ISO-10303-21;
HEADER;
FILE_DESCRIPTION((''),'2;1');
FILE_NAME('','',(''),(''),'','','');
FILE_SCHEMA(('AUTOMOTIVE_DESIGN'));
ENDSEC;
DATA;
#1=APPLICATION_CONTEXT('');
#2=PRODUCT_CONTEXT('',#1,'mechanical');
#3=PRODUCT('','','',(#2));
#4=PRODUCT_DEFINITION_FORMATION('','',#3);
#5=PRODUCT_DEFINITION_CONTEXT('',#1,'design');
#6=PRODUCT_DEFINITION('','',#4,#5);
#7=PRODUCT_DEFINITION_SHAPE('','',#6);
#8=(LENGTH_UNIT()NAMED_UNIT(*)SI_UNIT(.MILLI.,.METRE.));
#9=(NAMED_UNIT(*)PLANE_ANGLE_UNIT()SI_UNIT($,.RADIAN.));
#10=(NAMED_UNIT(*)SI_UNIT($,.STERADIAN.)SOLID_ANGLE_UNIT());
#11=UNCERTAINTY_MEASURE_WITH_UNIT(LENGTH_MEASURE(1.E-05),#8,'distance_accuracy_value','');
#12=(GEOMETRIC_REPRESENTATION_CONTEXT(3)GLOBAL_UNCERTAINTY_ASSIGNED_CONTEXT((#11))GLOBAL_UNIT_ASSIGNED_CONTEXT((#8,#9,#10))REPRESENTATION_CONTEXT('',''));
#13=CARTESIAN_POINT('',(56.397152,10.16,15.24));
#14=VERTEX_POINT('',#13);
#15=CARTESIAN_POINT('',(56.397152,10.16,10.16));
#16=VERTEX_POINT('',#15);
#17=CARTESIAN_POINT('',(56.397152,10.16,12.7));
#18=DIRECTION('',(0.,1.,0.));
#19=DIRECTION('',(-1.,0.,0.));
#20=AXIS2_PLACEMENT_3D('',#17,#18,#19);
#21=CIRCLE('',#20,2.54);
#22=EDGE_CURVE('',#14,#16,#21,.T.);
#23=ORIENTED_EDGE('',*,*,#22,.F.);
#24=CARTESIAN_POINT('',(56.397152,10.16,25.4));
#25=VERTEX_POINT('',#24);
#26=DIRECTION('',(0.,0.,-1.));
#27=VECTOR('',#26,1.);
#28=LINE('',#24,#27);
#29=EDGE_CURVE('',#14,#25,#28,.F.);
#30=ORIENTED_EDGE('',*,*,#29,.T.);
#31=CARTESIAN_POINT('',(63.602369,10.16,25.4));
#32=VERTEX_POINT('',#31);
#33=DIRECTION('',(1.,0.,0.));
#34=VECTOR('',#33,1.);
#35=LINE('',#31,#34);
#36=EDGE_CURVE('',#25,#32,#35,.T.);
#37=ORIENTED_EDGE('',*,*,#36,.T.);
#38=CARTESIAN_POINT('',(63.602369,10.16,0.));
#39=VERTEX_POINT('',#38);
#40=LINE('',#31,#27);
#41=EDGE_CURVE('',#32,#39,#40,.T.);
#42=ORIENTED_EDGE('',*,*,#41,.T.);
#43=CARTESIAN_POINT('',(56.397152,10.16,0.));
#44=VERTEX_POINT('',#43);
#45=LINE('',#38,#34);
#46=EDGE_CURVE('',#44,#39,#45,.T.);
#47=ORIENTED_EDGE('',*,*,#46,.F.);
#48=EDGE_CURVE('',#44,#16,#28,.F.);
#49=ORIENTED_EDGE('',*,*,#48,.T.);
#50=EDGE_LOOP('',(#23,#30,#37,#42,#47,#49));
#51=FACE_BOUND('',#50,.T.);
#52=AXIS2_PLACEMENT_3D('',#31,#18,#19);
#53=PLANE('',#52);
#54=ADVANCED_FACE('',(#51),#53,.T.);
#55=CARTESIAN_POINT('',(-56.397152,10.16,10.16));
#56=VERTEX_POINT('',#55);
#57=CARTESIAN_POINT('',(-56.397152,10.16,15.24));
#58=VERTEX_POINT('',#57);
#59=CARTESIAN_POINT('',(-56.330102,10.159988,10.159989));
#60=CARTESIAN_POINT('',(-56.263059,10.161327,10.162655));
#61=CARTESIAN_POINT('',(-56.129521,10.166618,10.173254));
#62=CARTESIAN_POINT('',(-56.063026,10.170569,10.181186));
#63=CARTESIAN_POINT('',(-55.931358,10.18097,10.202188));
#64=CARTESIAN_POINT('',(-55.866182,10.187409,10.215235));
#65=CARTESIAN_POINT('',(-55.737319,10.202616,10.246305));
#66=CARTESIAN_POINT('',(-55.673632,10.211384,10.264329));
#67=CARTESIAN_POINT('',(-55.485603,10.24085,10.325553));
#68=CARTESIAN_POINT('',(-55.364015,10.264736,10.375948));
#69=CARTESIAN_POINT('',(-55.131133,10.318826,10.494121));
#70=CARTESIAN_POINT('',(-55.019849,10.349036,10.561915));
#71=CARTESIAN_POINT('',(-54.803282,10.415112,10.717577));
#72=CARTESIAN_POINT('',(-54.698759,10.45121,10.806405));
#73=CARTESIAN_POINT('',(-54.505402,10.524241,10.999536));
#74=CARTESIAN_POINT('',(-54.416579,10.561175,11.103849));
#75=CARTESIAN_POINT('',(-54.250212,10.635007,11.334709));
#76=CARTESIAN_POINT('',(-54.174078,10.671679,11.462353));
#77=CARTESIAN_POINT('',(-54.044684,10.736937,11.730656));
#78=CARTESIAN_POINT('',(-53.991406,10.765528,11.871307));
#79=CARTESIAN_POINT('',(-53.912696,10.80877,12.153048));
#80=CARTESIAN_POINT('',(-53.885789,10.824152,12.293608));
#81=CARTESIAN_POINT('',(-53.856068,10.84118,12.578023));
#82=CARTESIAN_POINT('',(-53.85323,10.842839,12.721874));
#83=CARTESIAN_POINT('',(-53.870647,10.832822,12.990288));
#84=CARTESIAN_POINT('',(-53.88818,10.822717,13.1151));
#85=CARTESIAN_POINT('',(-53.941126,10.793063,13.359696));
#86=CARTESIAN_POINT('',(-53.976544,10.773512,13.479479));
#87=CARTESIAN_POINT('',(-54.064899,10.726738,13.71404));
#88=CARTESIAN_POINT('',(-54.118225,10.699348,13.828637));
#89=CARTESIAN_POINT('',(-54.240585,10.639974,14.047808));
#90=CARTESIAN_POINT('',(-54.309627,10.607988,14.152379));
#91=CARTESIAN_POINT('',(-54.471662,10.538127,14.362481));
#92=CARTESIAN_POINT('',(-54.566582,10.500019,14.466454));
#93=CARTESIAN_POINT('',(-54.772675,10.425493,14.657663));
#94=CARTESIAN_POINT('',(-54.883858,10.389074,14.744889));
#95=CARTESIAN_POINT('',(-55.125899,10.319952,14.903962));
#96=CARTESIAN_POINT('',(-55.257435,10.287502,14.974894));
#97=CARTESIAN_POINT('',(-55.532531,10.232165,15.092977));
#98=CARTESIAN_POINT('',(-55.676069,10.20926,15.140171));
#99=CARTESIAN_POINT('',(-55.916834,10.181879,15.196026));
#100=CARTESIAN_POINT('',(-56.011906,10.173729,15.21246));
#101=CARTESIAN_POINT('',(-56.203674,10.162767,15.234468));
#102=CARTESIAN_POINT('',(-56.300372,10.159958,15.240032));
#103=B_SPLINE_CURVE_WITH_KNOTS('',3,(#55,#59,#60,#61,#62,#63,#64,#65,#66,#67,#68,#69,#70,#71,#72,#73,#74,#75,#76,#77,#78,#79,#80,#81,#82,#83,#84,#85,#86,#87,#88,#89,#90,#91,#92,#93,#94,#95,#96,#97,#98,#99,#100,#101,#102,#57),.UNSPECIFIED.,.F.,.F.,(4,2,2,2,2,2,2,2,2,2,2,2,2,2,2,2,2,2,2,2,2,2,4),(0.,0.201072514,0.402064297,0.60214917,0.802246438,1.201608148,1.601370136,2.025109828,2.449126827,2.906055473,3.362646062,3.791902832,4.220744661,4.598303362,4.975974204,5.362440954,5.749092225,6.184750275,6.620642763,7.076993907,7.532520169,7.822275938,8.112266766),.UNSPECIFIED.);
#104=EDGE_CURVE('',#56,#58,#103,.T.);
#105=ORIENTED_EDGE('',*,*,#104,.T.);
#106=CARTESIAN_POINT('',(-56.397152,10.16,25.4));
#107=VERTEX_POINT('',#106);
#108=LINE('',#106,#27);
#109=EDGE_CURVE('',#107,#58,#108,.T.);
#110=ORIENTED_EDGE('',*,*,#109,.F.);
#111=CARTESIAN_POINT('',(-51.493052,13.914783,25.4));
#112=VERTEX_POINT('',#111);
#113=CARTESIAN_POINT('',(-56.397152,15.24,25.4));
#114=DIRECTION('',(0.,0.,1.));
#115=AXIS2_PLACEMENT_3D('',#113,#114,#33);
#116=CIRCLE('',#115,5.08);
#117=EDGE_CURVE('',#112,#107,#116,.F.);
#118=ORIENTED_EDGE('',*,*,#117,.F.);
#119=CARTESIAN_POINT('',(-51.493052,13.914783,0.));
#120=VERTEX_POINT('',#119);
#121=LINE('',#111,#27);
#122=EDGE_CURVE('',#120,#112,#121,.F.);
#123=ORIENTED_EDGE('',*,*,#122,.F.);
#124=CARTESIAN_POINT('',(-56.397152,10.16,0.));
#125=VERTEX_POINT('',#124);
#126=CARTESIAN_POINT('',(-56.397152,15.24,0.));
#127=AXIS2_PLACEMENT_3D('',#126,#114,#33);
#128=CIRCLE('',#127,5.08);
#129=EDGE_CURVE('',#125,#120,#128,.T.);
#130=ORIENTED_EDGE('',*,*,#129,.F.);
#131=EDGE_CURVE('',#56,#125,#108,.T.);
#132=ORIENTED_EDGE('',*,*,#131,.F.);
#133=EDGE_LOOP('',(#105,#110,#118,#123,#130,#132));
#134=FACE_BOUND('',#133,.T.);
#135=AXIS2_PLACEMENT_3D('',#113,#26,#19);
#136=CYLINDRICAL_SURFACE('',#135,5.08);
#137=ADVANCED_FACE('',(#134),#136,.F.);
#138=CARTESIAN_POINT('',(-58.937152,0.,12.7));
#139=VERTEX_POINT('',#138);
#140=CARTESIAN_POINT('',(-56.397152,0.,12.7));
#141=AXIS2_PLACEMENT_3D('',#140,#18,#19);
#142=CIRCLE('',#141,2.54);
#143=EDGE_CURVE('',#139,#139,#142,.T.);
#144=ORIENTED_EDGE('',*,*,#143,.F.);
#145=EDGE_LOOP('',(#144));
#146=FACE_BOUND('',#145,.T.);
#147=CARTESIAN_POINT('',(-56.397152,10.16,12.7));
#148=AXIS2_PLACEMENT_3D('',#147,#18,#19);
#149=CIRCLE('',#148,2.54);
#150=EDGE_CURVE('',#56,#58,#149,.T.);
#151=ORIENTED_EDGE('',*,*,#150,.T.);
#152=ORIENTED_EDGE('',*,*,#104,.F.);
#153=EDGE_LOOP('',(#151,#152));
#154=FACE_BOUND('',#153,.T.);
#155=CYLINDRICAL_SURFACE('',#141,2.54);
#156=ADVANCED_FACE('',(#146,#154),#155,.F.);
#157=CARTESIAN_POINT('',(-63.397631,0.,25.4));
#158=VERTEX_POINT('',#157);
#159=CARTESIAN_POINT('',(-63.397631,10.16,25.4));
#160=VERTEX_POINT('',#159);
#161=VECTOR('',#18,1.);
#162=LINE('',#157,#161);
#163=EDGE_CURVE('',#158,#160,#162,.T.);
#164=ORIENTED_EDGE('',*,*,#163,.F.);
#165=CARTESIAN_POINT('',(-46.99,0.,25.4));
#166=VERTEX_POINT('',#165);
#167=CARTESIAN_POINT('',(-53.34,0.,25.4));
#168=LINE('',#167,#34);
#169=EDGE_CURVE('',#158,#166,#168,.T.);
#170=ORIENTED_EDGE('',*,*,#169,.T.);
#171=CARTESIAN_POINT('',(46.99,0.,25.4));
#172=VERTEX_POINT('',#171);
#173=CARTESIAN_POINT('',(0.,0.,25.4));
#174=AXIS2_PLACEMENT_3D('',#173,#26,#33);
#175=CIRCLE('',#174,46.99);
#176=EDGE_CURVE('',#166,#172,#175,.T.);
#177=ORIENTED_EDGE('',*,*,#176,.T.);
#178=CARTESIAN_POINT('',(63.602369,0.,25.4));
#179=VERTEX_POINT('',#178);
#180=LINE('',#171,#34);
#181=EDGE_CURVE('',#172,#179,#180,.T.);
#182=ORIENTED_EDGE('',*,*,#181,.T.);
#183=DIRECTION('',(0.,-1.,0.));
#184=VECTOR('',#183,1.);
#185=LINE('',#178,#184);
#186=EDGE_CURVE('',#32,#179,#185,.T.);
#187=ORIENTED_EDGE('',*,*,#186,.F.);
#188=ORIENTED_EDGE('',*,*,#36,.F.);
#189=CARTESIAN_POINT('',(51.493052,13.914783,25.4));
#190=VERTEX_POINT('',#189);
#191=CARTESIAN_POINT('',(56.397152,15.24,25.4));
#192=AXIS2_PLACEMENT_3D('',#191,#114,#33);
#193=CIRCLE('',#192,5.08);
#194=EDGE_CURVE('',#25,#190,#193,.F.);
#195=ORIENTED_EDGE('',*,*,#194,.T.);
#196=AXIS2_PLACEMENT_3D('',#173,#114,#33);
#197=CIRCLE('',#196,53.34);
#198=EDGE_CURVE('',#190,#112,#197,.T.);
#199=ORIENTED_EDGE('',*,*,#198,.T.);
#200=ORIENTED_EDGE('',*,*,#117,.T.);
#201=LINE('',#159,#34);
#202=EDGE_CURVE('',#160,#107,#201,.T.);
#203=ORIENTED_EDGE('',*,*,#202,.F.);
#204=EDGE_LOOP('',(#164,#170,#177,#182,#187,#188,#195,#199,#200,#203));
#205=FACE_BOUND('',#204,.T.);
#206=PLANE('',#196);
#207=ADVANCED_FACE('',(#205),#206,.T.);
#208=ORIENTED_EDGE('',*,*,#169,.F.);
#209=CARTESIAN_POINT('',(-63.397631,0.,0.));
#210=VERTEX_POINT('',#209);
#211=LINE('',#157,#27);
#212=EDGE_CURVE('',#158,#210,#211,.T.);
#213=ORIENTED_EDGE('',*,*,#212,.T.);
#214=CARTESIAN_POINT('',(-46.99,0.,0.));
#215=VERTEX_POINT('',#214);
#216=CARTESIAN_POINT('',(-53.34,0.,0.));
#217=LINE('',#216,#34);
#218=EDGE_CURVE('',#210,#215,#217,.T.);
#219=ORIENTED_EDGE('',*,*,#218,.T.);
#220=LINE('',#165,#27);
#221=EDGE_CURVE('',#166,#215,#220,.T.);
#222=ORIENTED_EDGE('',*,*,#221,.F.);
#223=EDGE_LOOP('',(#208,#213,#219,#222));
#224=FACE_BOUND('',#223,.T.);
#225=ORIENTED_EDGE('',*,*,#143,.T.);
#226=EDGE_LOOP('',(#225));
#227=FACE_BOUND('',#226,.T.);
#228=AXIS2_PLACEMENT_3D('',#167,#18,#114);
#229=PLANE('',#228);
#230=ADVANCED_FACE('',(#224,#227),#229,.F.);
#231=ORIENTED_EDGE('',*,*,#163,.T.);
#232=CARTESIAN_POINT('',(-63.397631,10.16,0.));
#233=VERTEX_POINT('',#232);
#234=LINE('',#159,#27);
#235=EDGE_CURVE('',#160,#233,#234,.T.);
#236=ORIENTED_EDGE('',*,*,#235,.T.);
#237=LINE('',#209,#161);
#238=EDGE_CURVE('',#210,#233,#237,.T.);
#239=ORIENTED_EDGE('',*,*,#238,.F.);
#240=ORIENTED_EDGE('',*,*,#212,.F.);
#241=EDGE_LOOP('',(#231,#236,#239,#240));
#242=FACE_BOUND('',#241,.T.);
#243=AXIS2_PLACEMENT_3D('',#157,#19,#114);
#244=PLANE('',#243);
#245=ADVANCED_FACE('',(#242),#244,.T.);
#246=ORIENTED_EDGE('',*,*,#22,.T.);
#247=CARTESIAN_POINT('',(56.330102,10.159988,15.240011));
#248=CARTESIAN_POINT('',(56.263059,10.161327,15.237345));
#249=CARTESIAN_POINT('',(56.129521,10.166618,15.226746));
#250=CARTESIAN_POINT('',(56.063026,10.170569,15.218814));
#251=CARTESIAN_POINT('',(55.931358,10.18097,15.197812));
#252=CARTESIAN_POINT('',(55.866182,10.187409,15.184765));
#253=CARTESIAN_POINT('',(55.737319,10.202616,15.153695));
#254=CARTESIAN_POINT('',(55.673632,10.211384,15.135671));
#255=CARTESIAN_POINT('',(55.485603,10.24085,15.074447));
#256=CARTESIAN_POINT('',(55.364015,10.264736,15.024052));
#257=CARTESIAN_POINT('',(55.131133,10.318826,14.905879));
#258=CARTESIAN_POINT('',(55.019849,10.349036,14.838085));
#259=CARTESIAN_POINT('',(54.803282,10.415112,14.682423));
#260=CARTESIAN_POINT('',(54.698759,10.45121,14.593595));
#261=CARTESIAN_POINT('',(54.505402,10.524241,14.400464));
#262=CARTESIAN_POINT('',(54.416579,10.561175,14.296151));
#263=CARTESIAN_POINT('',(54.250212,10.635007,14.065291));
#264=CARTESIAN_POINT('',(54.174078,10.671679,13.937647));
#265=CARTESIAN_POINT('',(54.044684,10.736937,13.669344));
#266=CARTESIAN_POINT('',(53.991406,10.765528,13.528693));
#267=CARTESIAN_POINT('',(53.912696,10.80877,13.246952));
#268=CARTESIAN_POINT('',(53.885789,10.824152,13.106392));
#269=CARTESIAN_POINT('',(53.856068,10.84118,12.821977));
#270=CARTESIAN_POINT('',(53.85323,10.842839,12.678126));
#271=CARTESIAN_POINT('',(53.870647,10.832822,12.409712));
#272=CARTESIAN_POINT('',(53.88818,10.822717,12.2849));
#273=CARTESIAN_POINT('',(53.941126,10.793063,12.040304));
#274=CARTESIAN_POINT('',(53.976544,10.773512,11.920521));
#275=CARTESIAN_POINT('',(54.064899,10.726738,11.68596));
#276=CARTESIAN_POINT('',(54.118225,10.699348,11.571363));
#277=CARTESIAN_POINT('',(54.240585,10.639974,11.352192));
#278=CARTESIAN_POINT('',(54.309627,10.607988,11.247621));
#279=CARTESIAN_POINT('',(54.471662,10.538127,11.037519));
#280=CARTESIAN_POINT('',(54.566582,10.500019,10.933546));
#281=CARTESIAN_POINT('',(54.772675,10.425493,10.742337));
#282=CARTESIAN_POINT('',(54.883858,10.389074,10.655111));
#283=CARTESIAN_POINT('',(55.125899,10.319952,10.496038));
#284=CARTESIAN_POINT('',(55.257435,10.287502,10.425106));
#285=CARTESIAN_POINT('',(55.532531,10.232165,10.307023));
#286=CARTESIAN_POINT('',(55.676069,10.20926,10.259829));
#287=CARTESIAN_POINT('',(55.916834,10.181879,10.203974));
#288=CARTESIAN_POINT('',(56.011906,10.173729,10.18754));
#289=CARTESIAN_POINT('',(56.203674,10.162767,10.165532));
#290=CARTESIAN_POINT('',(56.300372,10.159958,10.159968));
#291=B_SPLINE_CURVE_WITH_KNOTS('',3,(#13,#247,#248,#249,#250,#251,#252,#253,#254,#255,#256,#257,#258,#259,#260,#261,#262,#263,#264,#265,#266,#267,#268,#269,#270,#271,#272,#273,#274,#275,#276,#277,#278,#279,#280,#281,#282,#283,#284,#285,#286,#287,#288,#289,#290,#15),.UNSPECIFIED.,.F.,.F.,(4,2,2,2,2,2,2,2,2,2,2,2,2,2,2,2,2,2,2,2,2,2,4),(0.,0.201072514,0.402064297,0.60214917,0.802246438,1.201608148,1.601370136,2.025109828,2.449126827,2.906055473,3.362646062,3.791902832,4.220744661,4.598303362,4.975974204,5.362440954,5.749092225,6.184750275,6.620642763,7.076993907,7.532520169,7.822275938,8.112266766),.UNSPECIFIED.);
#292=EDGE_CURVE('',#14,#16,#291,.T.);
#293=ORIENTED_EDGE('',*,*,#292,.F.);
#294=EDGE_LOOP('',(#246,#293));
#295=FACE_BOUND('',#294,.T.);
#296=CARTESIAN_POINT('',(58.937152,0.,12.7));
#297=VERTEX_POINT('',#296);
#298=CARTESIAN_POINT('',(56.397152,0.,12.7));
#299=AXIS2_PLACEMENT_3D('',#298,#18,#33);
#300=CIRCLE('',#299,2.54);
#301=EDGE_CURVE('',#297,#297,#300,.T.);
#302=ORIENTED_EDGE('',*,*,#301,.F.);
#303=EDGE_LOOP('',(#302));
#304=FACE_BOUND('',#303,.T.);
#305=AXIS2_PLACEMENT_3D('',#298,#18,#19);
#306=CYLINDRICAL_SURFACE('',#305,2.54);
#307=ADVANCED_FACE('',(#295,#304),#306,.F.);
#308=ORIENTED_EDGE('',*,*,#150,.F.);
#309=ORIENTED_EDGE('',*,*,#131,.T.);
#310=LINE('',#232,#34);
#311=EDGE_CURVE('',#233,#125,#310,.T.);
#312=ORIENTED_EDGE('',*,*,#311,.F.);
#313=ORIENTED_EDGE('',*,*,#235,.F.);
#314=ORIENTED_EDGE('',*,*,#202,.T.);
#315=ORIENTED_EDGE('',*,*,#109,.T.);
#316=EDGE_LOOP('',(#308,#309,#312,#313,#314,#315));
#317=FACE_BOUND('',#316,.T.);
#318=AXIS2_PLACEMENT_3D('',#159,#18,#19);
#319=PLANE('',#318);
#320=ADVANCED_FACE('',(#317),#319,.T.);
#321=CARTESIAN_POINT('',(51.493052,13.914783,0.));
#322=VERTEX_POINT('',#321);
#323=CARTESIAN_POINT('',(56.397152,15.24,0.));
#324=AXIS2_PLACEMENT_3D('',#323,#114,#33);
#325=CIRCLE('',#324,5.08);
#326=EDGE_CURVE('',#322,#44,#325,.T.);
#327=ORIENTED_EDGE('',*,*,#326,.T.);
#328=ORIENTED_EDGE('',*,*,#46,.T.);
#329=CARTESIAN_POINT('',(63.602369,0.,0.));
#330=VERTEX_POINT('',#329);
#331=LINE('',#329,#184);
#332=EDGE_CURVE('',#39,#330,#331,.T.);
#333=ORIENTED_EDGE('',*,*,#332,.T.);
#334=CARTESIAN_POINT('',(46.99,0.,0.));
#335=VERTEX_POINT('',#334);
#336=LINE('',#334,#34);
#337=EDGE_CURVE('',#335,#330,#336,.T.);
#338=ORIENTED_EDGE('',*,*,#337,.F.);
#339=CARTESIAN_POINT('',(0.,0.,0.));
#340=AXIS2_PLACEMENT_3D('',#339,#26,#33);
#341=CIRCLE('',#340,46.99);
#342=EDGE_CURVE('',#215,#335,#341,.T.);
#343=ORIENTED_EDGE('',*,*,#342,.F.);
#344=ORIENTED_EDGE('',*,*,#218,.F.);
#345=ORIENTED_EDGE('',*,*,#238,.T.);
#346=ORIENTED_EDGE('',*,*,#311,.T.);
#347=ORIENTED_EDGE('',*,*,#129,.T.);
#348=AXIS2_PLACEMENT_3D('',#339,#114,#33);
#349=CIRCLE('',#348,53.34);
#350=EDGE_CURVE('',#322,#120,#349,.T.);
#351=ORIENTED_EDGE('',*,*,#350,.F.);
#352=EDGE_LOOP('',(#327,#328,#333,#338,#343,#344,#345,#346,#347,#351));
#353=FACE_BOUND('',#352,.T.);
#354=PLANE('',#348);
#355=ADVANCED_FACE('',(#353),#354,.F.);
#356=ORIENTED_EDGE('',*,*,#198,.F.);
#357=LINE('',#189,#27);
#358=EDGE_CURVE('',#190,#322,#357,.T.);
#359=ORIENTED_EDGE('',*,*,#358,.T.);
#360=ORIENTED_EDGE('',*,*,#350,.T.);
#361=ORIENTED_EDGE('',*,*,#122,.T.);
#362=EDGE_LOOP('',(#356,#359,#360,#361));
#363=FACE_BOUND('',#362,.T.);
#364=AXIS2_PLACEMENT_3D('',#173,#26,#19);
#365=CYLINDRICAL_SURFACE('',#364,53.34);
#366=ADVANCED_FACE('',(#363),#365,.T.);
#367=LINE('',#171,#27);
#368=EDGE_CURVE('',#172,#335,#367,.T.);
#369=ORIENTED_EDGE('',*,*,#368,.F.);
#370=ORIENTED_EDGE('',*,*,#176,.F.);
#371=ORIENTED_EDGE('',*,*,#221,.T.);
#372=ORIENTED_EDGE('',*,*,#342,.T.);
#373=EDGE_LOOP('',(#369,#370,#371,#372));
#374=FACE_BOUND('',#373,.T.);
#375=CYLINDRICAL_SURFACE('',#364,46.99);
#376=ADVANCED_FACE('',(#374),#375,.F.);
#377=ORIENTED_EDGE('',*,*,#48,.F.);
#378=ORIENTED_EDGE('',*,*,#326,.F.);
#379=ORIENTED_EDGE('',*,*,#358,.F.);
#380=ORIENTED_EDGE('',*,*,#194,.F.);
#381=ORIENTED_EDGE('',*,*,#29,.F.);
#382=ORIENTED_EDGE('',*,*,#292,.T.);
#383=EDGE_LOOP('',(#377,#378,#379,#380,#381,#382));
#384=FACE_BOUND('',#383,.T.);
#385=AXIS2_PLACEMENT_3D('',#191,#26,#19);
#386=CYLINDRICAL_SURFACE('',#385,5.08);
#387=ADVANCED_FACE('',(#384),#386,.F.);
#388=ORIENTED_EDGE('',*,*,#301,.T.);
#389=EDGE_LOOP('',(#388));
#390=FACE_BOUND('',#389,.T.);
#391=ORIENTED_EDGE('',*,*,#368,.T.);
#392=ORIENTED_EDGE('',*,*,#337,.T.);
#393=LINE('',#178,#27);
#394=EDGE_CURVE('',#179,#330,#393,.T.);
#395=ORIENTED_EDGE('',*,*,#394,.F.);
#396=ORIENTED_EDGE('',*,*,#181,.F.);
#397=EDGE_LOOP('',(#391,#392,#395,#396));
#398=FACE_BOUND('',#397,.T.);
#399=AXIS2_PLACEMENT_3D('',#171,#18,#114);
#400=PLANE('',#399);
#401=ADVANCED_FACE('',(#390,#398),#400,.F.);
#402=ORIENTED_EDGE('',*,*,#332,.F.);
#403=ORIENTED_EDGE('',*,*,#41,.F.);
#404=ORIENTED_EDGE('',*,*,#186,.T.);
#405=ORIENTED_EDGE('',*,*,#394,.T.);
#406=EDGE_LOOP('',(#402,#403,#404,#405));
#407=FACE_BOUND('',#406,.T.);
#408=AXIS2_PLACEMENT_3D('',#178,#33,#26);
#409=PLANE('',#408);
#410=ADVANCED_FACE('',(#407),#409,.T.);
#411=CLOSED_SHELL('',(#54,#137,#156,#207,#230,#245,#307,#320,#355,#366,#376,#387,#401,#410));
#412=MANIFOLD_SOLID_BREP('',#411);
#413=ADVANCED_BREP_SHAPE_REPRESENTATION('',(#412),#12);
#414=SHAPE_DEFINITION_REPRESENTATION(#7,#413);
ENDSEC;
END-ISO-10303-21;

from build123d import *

# Parameters (mm, degrees)
BOSS_EXTRUDE1_DEPTH     = 25.4
SKETCH3_W               = 16.407631331
SKETCH3_H               = 10.16
BOSS_EXTRUDE2_DEPTH     = 25.4
FILLET1_R               = 5.08
SKETCH4_R               = 2.54
CUT_EXTRUDE1_DEPTH      = 44.18
CUT_EXTRUDE1_DEPTH_BACK = 11.16


with BuildPart() as part:
    # Sketch1 → Boss-Extrude1 (new body)
    with BuildSketch(Plane.XY):
        with BuildLine():
            Line((-53.34, 0), (-46.99, 0))
            ThreePointArc((-46.99, 0), (0, 46.99), (46.99, 0))
            Line((46.99, 0), (53.34, 0))
            ThreePointArc((53.34, 0), (0, 53.34), (-53.34, 0))
        make_face()
    extrude(amount=BOSS_EXTRUDE1_DEPTH)

    # Sketch3 → Boss-Extrude2 (add)
    with BuildSketch(Plane(origin=(0, 0, 0), x_dir=(-1, 0, 0), z_dir=(0, 0, -1))):
        with Locations((55.193815666, 5.08)):
            Rectangle(SKETCH3_W, SKETCH3_H)
        with Locations((-55.398553003, 5.08)):
            Rectangle(SKETCH3_W, SKETCH3_H)
    extrude(amount=-BOSS_EXTRUDE2_DEPTH)

    # Fillet1
    fillet1_edges = [part.edges().sort_by_distance(p)[0] for p in [
        (-52.363441445, 10.16, 12.7),
        (52.363441445, 10.16, 12.7),
    ]]
    fillet(fillet1_edges, radius=FILLET1_R)

    # Sketch4 → Cut-Extrude1 (cut, two sides)
    with BuildSketch(Plane(origin=(0, 10.16, 0), x_dir=(1, 0, 0), z_dir=(0, 1, 0))) as cut_extrude1_sk:
        with Locations((-56.39715241, -12.7)):
            Circle(SKETCH4_R)
        with Locations((56.39715241, -12.7)):
            Circle(SKETCH4_R)
    extrude(amount=CUT_EXTRUDE1_DEPTH, mode=Mode.SUBTRACT)
    extrude(cut_extrude1_sk.sketch, amount=-CUT_EXTRUDE1_DEPTH_BACK, mode=Mode.SUBTRACT)


solid = part.part
